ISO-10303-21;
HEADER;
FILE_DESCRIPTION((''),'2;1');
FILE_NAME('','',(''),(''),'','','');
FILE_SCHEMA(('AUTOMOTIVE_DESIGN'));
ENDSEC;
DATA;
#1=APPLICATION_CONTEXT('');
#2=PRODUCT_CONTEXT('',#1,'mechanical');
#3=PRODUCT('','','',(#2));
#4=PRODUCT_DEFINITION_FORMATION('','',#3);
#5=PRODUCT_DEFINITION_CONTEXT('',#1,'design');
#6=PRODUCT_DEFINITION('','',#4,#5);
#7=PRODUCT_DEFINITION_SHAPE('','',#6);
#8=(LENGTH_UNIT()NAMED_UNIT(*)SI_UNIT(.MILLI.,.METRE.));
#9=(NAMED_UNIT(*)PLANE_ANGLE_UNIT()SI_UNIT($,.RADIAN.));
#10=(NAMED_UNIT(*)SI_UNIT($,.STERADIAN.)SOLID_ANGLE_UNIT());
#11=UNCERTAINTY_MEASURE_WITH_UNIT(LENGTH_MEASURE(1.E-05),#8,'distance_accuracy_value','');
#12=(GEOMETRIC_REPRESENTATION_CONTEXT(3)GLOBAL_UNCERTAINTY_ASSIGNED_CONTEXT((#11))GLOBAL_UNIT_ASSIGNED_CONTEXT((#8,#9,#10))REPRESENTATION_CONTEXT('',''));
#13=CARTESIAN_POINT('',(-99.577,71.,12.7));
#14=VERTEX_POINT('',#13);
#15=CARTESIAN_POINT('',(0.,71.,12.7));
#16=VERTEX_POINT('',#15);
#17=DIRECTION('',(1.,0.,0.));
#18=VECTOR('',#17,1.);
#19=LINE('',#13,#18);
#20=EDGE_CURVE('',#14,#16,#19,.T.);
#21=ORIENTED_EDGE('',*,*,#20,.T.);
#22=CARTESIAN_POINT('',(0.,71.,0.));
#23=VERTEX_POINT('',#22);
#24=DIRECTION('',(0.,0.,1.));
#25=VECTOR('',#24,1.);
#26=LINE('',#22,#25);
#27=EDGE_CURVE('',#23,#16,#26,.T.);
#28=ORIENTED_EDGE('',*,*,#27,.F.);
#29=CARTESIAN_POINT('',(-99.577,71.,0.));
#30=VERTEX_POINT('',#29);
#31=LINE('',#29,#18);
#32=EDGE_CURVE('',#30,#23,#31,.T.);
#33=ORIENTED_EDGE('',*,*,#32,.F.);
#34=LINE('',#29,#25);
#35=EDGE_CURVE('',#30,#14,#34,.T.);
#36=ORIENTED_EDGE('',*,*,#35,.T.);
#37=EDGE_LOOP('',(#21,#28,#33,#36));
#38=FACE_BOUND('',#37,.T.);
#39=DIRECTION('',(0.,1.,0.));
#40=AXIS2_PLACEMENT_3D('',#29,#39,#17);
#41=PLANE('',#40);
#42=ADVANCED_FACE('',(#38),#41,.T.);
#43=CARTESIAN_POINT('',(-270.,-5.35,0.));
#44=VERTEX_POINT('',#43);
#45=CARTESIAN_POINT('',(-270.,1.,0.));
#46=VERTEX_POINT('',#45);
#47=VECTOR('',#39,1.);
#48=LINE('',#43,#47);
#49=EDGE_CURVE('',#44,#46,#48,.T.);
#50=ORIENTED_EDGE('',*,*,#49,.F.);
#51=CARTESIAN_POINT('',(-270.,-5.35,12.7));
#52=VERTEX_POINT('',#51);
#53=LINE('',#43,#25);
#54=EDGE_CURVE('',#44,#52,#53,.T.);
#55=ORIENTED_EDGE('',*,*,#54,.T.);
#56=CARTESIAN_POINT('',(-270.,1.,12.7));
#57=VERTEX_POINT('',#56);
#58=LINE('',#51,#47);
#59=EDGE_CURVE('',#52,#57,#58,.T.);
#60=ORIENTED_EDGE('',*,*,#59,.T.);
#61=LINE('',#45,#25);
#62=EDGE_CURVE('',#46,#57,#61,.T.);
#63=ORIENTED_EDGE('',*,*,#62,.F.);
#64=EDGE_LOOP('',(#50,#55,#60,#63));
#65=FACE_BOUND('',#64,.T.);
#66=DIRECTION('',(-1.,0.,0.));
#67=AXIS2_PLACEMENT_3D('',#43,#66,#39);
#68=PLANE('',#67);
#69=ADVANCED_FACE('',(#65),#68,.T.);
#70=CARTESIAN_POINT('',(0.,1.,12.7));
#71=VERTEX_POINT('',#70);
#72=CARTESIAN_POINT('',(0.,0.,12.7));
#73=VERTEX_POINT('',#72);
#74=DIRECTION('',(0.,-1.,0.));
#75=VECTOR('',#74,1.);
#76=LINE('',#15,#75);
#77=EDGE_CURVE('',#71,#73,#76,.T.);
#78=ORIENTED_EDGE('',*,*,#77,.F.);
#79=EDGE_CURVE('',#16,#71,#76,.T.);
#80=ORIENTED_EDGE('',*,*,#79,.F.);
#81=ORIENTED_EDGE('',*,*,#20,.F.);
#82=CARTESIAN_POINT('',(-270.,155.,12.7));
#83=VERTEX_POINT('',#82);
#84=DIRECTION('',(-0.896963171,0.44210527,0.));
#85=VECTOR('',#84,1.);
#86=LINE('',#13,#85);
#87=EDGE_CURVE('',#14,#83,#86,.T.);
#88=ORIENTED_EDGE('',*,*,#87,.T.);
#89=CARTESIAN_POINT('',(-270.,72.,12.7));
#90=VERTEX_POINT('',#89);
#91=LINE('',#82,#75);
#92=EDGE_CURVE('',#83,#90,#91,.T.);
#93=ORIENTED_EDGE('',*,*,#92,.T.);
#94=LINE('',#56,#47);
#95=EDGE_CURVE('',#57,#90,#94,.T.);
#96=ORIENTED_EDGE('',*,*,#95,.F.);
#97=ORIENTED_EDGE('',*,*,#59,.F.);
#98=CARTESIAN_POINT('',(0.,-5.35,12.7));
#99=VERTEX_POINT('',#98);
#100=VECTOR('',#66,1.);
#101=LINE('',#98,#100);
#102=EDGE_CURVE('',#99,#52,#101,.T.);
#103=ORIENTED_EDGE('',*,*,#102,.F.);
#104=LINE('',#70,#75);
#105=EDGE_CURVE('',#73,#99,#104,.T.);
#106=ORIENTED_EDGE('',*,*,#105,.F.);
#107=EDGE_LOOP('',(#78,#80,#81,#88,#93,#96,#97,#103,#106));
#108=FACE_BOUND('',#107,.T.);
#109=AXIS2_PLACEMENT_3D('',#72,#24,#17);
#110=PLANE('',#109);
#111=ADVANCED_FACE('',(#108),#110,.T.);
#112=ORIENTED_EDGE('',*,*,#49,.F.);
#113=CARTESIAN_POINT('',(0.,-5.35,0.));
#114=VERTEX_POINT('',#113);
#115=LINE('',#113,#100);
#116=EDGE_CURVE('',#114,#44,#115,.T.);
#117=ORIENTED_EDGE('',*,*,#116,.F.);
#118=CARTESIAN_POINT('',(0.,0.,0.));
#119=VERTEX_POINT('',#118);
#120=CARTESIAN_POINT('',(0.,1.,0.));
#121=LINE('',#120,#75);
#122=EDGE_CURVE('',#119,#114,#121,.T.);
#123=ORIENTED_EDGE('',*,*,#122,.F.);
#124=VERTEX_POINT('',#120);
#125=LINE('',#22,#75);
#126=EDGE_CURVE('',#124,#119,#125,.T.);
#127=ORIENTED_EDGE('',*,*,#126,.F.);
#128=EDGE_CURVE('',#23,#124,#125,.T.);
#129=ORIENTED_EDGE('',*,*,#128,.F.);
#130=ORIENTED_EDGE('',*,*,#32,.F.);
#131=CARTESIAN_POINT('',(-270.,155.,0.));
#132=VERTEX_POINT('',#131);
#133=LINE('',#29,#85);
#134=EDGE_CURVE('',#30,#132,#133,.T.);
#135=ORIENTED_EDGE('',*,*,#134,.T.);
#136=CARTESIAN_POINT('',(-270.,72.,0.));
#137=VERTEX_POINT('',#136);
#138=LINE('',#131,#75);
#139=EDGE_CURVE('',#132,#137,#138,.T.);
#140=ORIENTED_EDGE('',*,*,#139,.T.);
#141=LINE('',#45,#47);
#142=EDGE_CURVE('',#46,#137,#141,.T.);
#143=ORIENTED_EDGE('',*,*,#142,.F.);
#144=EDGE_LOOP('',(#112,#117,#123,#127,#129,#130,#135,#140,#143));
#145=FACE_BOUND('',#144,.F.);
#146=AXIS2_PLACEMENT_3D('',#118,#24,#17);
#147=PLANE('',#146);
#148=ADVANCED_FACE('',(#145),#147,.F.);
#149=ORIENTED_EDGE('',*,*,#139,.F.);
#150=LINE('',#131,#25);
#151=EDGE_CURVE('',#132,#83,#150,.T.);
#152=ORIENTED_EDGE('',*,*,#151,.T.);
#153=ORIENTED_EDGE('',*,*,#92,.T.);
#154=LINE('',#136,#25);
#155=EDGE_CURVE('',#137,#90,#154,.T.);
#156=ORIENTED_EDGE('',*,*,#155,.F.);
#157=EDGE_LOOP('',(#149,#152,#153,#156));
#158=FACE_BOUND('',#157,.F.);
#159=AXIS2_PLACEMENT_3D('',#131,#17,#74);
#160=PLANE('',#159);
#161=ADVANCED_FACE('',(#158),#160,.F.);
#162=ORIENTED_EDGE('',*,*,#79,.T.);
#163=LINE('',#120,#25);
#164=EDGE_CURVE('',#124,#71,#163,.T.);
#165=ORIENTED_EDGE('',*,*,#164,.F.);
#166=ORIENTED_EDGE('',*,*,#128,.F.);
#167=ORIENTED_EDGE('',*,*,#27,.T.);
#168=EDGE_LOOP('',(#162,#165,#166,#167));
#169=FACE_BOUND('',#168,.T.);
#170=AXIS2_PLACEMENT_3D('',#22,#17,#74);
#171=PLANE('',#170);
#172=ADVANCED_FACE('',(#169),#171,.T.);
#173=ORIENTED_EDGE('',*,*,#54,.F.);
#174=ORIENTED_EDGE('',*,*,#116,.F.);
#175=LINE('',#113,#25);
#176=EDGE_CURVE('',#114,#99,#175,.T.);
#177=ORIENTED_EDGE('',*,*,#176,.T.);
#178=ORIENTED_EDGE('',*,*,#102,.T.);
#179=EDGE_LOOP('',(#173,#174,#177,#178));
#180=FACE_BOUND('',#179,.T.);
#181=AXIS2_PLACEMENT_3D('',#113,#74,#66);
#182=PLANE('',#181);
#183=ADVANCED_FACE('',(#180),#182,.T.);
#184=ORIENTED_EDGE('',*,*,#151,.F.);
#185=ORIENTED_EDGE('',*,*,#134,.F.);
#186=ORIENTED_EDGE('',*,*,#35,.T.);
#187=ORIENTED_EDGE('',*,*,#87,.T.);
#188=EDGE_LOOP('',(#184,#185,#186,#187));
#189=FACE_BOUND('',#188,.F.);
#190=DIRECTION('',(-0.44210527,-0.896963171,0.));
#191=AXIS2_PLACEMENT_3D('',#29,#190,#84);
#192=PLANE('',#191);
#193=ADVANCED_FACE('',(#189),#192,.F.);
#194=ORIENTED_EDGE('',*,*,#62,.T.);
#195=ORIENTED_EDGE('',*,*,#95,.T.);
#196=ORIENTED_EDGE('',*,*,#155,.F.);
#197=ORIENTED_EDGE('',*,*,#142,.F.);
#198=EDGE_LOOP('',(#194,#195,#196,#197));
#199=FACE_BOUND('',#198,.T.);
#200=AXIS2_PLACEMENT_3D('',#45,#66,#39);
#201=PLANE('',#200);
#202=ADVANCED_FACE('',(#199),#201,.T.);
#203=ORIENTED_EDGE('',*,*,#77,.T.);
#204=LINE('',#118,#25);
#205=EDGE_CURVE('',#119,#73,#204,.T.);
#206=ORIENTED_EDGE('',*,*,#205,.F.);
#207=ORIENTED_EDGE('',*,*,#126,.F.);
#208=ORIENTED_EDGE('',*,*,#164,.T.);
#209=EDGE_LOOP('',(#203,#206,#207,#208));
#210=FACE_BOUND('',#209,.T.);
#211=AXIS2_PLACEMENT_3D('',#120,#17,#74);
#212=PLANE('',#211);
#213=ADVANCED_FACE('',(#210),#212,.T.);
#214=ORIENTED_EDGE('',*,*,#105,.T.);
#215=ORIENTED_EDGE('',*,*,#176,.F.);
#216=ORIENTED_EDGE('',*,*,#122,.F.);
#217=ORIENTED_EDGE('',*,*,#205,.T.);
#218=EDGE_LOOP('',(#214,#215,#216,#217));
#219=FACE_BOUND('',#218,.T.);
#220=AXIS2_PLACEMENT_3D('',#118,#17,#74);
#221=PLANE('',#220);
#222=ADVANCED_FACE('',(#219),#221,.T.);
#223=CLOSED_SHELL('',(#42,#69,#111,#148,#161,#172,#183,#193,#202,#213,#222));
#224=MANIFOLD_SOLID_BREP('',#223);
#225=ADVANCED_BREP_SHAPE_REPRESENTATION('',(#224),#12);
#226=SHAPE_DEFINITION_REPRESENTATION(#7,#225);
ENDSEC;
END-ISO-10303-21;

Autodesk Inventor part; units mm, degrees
ref_plane "YZ Plane" through (0, 0, 0) normal (1, 0, 0) x (0, 1, 0)
ref_plane "XZ Plane" through (0, 0, 0) normal (0, 1, 0) x (-1, 0, 0)
ref_plane "XY Plane" through (0, 0, 0) normal (0, 0, 1) x (1, 0, 0)
sketch "Sketch1" plane through (0, 0, 0) normal (0, 0, 1) x (1, 0, 0)
  line L0 (-270, 1) -> (-270, 72)
  line L1 (-99.577, 71) -> (0, 71)
  line L2 (0, 71) -> (0, 0)
  line L3 (-99.577, 71) -> (-270, 155)
  line L4 (-270, 155) -> (-270, 72)
  line L5 (0, 1) -> (0, -5.35)
  line L6 (0, -5.35) -> (-270, -5.35)
  line L7 (-270, -5.35) -> (-270, 1)
  line L8 (0, -5.35) -> (-270, -5.35) projected
  point P0 (0, 0)
extrude "Extrusion1" add sketch "Sketch1" along normal blind 12.7
properties part number "Sides"
